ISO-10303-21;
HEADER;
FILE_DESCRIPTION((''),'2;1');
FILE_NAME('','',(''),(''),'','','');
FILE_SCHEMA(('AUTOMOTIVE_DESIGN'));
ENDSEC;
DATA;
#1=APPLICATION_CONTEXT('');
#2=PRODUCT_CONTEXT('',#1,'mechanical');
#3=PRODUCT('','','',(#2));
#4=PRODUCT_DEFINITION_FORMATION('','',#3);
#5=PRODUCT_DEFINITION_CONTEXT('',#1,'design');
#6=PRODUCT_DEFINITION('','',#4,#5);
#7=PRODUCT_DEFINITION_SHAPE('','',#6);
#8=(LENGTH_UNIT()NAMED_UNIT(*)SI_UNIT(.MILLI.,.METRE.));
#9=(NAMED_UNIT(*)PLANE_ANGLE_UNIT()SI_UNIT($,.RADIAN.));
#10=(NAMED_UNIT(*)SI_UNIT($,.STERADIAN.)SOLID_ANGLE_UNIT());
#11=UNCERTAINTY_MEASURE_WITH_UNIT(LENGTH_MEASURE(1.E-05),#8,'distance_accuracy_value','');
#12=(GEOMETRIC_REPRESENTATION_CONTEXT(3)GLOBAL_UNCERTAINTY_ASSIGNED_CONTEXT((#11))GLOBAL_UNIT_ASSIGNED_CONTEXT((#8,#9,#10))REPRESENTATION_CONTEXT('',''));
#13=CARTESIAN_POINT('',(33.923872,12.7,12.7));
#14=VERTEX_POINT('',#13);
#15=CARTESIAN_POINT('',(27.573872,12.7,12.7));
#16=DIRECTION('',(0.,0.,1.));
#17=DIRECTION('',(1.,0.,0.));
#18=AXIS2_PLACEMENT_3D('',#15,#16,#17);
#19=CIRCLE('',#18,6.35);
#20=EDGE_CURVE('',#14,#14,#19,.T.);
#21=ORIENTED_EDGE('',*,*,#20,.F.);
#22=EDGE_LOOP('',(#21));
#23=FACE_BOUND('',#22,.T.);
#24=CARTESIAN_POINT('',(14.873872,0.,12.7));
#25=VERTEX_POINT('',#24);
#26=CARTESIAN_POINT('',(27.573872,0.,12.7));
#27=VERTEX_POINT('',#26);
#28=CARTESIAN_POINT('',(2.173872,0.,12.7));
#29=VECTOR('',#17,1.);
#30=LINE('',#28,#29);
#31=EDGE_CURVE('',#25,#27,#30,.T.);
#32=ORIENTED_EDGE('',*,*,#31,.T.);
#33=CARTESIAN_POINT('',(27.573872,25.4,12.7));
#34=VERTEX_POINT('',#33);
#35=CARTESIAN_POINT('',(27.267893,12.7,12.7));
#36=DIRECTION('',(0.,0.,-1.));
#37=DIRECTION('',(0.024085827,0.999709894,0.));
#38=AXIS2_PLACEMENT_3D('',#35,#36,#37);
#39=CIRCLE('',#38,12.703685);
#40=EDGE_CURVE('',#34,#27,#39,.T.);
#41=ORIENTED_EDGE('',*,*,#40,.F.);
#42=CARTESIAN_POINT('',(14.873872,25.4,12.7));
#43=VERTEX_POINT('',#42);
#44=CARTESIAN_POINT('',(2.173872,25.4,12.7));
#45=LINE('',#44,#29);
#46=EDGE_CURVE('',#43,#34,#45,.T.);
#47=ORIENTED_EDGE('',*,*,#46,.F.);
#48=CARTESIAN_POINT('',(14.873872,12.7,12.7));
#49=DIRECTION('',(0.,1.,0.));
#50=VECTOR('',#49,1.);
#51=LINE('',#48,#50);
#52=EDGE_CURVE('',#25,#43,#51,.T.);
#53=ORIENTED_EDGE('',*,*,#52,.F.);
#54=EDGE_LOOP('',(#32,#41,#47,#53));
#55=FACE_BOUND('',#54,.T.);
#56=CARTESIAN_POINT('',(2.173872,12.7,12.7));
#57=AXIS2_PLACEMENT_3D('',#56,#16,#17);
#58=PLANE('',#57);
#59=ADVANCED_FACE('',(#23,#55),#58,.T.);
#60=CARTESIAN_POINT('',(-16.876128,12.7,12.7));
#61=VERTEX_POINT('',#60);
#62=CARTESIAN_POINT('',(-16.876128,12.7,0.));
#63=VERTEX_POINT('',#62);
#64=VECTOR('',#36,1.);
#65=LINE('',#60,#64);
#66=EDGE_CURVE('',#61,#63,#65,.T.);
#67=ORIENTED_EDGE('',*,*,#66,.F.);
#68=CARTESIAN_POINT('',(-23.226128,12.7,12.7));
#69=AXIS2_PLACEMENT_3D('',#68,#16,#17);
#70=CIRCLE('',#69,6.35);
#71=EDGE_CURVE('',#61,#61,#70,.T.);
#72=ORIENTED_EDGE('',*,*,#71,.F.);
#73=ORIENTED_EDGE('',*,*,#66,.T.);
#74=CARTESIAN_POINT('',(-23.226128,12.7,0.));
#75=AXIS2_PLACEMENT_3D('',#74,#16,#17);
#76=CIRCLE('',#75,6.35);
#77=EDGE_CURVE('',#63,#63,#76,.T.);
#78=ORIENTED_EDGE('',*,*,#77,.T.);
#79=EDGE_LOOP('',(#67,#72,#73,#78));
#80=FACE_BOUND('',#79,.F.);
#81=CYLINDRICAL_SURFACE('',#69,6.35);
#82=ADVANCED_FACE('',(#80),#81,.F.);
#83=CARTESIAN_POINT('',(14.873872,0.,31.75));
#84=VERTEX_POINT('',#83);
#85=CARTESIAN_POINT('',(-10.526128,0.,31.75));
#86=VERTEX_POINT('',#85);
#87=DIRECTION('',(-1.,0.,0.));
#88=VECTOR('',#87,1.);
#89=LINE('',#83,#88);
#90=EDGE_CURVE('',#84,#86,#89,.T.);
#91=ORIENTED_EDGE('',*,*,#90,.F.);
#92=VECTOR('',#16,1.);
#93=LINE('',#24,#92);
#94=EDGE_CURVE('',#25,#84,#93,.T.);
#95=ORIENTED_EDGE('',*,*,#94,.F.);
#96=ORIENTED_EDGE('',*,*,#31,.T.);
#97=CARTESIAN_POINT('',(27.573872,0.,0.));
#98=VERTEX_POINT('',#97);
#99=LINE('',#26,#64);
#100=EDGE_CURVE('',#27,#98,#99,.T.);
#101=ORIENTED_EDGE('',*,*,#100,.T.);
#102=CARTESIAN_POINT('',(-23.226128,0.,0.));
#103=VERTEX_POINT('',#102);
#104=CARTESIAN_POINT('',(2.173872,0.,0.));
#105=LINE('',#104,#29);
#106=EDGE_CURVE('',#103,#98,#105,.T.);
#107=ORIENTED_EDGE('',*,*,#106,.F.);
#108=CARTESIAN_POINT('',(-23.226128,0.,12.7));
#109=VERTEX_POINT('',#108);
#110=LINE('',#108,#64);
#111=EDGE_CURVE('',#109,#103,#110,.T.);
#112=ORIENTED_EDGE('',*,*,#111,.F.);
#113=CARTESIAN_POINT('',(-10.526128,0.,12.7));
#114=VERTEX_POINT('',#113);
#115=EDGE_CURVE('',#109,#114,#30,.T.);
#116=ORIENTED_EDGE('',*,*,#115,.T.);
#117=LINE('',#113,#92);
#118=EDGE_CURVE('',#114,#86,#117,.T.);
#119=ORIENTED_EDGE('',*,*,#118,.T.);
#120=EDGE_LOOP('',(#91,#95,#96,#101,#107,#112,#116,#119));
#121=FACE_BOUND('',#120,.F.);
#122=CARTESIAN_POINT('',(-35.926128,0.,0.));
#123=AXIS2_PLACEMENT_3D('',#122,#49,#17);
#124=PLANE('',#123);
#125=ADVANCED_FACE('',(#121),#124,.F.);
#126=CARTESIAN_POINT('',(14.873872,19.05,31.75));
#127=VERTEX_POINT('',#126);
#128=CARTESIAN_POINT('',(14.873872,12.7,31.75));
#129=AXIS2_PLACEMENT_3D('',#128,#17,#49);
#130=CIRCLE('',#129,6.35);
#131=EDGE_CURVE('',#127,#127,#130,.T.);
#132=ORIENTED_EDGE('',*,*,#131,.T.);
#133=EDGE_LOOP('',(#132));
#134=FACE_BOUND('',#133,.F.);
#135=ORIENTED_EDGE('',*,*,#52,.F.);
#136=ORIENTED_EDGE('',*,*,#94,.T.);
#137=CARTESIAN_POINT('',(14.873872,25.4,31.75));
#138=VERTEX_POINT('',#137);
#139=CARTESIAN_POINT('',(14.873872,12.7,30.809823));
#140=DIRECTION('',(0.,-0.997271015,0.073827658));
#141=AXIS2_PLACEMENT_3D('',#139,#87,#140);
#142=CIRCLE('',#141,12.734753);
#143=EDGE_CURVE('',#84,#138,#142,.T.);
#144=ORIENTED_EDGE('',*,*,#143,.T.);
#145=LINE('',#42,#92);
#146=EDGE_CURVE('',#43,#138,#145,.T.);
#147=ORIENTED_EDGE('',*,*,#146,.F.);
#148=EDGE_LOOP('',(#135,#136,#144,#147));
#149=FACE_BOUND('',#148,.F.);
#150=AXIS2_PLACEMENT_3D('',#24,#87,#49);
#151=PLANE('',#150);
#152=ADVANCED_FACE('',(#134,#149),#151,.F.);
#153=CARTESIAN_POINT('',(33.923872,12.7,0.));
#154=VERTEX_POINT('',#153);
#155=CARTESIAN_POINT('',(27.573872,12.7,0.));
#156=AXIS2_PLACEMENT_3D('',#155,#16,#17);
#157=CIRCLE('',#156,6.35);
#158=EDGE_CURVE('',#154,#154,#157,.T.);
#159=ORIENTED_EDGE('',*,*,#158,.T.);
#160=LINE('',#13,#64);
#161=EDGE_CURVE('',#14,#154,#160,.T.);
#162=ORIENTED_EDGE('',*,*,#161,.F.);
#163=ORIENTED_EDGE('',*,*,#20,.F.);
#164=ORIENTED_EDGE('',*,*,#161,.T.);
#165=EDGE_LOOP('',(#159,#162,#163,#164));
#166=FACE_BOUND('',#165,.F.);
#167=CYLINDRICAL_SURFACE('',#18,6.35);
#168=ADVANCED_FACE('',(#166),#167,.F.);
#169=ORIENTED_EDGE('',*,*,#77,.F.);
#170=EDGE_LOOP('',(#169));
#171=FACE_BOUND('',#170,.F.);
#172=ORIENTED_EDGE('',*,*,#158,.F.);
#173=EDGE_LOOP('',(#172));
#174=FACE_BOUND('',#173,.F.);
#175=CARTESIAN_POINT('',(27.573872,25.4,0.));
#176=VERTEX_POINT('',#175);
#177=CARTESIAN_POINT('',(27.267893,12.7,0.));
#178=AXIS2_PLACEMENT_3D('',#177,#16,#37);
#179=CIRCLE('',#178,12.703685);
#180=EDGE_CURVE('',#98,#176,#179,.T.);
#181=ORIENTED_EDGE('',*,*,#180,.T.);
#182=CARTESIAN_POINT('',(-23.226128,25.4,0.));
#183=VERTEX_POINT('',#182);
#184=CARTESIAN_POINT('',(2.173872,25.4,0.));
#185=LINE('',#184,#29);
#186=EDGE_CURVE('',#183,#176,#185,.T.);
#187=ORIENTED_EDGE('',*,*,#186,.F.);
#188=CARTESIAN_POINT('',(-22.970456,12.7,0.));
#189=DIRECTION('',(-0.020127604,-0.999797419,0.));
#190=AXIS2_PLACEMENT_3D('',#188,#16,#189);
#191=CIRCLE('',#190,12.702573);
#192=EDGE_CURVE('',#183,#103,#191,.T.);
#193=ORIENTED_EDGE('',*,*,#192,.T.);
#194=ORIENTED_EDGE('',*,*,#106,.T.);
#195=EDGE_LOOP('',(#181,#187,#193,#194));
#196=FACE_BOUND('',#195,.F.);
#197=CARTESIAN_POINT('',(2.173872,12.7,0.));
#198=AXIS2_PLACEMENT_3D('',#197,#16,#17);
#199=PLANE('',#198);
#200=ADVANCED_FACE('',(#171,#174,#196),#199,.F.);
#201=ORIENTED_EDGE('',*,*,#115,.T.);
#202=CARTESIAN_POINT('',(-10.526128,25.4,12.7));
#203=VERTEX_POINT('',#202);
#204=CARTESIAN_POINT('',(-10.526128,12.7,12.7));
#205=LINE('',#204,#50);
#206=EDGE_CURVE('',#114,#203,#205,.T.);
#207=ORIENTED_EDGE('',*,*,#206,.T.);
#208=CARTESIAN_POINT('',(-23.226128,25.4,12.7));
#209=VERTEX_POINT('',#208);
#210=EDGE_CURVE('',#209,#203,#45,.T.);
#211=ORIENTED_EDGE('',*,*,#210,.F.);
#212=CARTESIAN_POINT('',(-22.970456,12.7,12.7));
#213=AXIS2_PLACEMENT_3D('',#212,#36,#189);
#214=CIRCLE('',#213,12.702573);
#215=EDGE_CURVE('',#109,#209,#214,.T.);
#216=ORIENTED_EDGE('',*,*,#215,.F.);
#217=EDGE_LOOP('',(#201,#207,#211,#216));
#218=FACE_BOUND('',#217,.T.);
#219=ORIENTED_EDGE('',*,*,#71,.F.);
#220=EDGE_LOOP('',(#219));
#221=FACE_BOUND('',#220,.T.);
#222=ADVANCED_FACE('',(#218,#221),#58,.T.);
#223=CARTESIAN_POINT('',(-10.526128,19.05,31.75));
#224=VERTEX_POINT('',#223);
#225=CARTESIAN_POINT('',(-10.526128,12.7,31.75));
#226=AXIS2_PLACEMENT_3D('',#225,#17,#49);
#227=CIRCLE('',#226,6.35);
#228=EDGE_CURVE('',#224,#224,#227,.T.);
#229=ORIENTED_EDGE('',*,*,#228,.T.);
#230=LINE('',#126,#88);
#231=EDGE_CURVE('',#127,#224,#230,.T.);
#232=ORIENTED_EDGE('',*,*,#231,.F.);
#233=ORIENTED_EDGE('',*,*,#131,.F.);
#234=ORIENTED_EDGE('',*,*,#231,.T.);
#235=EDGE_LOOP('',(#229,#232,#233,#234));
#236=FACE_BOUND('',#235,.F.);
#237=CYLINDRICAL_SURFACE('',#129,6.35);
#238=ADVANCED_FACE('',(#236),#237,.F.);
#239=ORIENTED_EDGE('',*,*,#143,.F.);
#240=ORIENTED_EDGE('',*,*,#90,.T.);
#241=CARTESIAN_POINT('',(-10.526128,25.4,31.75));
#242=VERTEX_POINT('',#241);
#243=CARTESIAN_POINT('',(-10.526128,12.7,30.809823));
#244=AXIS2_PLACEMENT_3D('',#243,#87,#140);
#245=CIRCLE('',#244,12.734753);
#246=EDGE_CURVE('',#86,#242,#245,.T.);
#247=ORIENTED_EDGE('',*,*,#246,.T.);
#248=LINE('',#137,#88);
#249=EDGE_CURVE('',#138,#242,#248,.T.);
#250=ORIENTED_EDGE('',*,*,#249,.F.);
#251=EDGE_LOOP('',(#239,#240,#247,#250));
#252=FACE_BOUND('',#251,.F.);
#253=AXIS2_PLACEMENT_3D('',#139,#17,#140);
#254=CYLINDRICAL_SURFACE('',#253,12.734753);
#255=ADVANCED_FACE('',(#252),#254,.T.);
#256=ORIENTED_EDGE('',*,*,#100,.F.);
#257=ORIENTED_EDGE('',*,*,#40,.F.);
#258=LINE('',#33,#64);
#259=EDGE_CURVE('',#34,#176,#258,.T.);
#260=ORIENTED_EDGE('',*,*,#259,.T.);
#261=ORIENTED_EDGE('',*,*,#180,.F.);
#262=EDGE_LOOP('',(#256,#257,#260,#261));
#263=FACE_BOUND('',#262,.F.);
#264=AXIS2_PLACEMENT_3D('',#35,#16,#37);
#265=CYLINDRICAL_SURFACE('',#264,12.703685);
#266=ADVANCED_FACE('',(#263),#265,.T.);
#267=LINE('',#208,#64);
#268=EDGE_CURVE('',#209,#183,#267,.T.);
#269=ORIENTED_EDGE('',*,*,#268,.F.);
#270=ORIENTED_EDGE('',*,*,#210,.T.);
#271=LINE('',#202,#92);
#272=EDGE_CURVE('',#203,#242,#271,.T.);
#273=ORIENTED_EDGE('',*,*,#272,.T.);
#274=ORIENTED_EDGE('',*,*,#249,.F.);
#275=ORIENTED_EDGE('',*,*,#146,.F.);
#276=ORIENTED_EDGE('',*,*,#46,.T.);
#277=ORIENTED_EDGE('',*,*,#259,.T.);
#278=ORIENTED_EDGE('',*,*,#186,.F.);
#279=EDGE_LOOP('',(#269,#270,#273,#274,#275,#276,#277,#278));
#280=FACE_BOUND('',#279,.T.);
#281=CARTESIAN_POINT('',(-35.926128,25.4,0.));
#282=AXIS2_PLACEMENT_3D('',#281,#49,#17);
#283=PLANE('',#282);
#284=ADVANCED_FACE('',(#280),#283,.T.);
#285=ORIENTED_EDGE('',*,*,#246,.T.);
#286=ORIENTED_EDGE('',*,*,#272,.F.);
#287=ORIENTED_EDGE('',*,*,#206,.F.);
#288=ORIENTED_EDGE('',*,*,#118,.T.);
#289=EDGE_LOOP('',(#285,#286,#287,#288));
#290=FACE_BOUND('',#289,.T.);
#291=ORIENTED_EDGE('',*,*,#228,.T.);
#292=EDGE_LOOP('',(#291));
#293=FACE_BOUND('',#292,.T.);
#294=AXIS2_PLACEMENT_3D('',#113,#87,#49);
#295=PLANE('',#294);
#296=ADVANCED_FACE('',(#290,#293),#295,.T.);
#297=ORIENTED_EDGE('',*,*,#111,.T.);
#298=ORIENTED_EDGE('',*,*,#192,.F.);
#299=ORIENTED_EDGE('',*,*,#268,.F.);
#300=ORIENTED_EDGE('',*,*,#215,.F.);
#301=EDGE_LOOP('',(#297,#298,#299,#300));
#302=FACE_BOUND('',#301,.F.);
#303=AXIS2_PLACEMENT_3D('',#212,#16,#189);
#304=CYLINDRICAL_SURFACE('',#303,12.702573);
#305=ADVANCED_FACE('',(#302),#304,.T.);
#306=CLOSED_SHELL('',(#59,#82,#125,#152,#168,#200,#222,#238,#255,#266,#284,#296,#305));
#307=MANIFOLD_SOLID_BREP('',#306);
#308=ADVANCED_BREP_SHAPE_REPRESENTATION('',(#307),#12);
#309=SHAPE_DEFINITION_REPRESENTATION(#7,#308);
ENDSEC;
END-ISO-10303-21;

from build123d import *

# Parameters (mm, degrees)
F0_W      = 76.2
F0_H      = 25.4
F1_DEPTH  = 12.7
F2_R      = 6.35
F3_DEPTH  = 25.4
F4_W      = 25.4
F4_H      = 25.4
F5_DEPTH  = 31.75
F7_DEPTH  = 25.4
F9_DEPTH  = 25.4
F10_R     = 6.35
F11_DEPTH = 25.4
F13_DEPTH = 25.4


with BuildPart() as f1:
    # F0 (on Top) → F1 (new body)
    with BuildSketch(Plane.XY):
        with Locations((2.1738717566, 12.7)):
            Rectangle(F0_W, F0_H)
    extrude(amount=F1_DEPTH)

    # F2 (on face) → F3 (cut)
    with BuildSketch(Plane.XY.offset(12.7)):
        with Locations((-23.2261282434, 12.7)):
            Circle(F2_R)
        with Locations((27.5738717566, 12.7)):
            Circle(F2_R)
    extrude(amount=-F3_DEPTH, mode=Mode.SUBTRACT)

    # F4 (on face) → F5 (join)
    with BuildSketch(Plane.XY.offset(12.7)):
        with Locations((2.1738717566, 12.7)):
            Rectangle(F4_W, F4_H)
    extrude(amount=F5_DEPTH)

    # F6 (on face) → F7 (cut)
    with BuildSketch(Plane.XY.offset(12.7)):
        with BuildLine():
            ThreePointArc((27.5738717566, 25.4), (39.9715783926, 12.7), (27.5738717566, 0))
            Line((27.5738717566, 0), (40.2738717566, 0))
            Line((40.2738717566, 0), (40.2738717566, 25.4))
            Line((40.2738717566, 25.4), (27.5738717566, 25.4))
        make_face()
    extrude(amount=-F7_DEPTH, mode=Mode.SUBTRACT)

    # F8 (on face) → F9 (cut)
    with BuildSketch(Plane.XY.offset(12.7)):
        with BuildLine():
            ThreePointArc((-23.2261282434, 0), (-35.6730291754, 12.7), (-23.2261282434, 25.4))
            Line((-23.2261282434, 25.4), (-35.9261282434, 25.4))
            Line((-35.9261282434, 25.4), (-35.9261282434, 0))
            Line((-35.9261282434, 0), (-23.2261282434, 0))
        make_face()
    extrude(amount=-F9_DEPTH, mode=Mode.SUBTRACT)

    # F10 (on face) → F11 (cut)
    with BuildSketch(Plane.YZ.offset(14.8738717566)):
        with Locations((12.7, 31.75)):
            Circle(F10_R)
    extrude(amount=-F11_DEPTH, mode=Mode.SUBTRACT)

    # F12 (on face) → F13 (cut)
    with BuildSketch(Plane.YZ.offset(14.8738717566)):
        with BuildLine():
            ThreePointArc((0, 31.75), (12.7, 43.5445759726), (25.4, 31.75))
            Line((25.4, 31.75), (25.4, 44.45))
            Line((25.4, 44.45), (0, 44.45))
            Line((0, 44.45), (0, 31.75))
        make_face()
    extrude(amount=-F13_DEPTH, mode=Mode.SUBTRACT)


solid = f1.part
